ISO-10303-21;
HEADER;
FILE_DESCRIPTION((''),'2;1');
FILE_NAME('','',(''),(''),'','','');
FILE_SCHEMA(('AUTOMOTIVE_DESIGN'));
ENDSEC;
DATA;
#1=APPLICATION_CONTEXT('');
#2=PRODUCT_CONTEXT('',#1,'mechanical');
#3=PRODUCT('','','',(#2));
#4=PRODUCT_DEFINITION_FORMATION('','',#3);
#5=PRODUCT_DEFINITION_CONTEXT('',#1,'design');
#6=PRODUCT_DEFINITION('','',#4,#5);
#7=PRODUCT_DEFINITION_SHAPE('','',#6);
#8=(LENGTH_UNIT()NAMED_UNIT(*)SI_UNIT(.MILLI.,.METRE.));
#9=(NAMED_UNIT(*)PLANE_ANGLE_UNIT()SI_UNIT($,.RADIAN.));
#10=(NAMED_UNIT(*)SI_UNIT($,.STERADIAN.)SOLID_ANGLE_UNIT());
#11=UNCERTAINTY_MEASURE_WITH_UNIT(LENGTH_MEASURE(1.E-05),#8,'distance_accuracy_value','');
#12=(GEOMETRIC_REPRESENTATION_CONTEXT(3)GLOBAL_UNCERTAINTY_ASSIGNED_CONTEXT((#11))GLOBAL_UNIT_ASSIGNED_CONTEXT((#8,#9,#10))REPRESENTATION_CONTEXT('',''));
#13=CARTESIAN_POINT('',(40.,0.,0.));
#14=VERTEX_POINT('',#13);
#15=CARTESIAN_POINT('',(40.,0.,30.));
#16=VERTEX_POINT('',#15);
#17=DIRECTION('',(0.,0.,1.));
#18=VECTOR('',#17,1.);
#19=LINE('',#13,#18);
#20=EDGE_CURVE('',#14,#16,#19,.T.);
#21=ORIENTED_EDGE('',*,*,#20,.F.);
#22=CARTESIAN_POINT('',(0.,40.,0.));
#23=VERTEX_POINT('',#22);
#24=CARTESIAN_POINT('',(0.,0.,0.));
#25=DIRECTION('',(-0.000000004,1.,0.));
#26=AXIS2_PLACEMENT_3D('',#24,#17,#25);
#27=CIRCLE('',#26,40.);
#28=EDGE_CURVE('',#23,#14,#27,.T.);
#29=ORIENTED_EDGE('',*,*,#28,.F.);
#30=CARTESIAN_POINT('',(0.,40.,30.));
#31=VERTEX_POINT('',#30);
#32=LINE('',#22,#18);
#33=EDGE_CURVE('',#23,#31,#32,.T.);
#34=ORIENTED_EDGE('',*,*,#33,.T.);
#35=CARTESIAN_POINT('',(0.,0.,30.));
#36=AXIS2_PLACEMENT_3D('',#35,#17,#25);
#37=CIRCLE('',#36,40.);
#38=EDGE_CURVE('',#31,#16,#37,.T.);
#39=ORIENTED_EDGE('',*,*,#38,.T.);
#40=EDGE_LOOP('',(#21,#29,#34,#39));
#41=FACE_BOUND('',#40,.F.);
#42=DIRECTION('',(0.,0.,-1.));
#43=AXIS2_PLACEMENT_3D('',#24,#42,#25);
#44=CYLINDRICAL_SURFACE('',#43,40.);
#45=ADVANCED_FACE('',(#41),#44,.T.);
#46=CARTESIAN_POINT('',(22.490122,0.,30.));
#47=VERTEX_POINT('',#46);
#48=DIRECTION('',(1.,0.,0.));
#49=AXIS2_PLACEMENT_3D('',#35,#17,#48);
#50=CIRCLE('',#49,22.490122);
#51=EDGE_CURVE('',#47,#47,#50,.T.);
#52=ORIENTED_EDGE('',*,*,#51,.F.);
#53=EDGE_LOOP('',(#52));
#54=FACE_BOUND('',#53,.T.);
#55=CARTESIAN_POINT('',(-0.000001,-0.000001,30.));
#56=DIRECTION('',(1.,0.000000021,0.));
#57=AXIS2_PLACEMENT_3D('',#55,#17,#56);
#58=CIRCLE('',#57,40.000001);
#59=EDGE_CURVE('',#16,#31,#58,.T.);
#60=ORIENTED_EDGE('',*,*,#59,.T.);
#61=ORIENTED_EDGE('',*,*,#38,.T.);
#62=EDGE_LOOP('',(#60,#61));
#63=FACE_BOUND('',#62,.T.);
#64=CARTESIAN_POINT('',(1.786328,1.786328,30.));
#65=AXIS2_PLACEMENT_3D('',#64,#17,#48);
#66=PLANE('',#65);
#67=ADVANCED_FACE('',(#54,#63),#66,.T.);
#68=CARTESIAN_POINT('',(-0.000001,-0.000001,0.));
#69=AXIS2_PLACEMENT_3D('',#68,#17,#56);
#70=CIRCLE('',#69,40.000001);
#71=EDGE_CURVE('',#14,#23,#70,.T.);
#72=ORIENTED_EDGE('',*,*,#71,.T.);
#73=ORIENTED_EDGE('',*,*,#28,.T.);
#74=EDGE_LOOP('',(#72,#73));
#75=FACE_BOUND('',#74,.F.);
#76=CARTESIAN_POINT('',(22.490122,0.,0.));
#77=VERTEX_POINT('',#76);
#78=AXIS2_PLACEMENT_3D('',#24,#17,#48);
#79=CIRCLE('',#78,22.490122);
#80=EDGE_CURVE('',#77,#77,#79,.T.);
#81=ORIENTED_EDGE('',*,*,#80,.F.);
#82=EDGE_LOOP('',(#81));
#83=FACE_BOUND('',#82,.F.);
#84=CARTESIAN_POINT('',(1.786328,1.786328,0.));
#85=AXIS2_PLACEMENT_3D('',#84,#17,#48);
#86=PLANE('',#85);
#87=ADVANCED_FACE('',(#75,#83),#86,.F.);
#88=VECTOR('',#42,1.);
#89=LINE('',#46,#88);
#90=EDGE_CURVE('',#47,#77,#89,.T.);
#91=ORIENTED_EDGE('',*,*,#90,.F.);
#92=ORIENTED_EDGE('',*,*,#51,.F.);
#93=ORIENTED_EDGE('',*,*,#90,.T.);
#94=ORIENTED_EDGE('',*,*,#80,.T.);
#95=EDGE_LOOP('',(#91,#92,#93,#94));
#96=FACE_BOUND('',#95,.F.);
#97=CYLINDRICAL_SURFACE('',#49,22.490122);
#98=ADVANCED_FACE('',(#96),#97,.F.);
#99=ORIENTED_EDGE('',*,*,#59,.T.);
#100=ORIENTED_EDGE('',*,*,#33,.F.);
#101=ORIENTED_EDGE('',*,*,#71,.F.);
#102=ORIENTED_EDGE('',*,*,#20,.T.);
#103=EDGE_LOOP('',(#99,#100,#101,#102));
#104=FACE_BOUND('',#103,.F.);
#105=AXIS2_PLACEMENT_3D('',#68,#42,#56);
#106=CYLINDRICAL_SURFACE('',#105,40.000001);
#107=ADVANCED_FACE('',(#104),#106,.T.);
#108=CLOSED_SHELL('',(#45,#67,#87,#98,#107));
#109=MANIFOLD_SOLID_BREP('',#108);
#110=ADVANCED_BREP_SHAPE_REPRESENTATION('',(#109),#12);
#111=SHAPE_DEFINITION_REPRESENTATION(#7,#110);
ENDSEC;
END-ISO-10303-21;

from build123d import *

# Parameters (mm, degrees)
F1_DEPTH = 30
F2_R     = 22.490122
F3_DEPTH = 30.001


with BuildPart() as f1:
    # F0 (on Top) → F1 (new body)
    with BuildSketch(Plane.XY):
        with BuildLine():
            ThreePointArc((0, 40), (-28.284271, -28.284271), (40, 0))
            ThreePointArc((40, 0), (28.284271, 28.284271), (0, 40))
        make_face()
    extrude(amount=F1_DEPTH)

    # F2 (on face) → F3 (cut, through all)
    with BuildSketch(Plane.XY.offset(30)):
        Circle(F2_R)
    extrude(amount=-F3_DEPTH, mode=Mode.SUBTRACT)


with BuildPart() as f4_1:
    # F4: copy of F1
    add(f1.part)


solid = f1.part
